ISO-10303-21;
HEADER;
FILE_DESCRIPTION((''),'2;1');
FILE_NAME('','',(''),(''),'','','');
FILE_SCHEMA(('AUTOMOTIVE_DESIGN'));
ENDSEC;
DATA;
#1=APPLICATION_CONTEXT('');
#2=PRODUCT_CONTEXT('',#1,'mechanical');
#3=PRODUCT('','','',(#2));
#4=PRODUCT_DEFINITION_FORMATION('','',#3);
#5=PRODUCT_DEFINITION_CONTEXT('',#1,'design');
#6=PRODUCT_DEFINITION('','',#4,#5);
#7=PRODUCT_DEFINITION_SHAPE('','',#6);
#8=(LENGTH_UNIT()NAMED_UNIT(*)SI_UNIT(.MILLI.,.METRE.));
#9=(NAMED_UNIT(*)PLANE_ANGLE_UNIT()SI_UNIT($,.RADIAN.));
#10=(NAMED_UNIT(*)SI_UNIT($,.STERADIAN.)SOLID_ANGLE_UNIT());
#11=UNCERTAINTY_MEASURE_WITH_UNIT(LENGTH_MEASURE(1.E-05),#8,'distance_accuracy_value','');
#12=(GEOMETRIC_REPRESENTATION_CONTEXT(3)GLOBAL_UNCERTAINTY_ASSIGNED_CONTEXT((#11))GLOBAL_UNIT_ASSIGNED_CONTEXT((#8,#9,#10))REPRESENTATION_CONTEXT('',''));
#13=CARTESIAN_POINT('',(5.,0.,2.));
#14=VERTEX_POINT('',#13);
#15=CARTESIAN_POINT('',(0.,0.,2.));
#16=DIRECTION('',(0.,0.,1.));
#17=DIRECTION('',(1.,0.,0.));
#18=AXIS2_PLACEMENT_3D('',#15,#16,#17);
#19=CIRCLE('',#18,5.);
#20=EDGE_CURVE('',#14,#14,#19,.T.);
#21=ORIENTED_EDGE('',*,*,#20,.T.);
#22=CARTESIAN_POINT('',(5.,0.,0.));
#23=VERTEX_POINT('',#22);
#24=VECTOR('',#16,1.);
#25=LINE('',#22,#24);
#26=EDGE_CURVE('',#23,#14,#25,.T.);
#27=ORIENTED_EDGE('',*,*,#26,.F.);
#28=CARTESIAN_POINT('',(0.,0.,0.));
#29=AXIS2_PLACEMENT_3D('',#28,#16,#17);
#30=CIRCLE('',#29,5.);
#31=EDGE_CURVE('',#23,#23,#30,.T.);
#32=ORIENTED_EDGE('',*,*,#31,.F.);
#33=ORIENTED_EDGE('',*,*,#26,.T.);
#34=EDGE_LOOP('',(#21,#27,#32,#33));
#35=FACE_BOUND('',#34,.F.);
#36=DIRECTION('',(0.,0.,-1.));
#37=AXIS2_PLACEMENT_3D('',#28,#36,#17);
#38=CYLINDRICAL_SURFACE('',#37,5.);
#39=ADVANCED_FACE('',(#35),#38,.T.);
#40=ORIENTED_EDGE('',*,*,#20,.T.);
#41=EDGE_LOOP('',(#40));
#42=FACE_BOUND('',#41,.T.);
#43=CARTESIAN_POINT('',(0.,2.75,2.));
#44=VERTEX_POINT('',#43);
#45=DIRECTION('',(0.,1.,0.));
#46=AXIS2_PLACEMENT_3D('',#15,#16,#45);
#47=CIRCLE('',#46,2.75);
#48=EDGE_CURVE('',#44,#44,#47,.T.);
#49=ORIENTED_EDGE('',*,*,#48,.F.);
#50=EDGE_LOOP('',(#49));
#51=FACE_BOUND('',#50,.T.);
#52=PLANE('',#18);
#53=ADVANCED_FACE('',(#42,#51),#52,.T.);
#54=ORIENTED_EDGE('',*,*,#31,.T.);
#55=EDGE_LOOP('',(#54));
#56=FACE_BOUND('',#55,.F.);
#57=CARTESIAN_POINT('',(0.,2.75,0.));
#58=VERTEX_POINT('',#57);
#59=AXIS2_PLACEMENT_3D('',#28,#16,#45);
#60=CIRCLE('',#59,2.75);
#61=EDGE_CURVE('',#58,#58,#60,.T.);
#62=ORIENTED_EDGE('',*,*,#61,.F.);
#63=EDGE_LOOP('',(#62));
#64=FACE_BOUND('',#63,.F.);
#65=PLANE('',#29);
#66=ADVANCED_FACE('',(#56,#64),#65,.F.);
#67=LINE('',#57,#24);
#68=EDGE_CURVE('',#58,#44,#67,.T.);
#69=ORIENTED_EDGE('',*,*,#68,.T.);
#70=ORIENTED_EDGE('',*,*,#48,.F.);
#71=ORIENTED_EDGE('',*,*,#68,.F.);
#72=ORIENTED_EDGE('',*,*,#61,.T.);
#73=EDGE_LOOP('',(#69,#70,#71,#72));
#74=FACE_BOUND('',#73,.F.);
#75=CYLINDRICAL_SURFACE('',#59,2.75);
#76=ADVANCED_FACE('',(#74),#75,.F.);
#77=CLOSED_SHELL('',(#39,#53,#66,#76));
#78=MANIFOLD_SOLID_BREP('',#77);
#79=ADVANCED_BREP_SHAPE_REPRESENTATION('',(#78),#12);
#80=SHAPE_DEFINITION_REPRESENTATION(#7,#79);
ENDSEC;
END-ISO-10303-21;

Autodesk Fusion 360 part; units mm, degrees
sketch "Sketch1" plane through (0, 0, 0) normal (0, 0, 1) x (1, 0, 0)
  circle A0 centre (0, 0) radius 5
  circle A1 centre (0, 0) radius 3.575
  dimension "d1" = 10
  dimension "d2" = 7.15
extrude "Extrude1" add sketch "Sketch1" along normal blind 2 contours A0 | A1
hole "Hole1" at (0, 0, 0) direction (0, 0, 1) diameter 5.5 depth 10 tip angle 118
